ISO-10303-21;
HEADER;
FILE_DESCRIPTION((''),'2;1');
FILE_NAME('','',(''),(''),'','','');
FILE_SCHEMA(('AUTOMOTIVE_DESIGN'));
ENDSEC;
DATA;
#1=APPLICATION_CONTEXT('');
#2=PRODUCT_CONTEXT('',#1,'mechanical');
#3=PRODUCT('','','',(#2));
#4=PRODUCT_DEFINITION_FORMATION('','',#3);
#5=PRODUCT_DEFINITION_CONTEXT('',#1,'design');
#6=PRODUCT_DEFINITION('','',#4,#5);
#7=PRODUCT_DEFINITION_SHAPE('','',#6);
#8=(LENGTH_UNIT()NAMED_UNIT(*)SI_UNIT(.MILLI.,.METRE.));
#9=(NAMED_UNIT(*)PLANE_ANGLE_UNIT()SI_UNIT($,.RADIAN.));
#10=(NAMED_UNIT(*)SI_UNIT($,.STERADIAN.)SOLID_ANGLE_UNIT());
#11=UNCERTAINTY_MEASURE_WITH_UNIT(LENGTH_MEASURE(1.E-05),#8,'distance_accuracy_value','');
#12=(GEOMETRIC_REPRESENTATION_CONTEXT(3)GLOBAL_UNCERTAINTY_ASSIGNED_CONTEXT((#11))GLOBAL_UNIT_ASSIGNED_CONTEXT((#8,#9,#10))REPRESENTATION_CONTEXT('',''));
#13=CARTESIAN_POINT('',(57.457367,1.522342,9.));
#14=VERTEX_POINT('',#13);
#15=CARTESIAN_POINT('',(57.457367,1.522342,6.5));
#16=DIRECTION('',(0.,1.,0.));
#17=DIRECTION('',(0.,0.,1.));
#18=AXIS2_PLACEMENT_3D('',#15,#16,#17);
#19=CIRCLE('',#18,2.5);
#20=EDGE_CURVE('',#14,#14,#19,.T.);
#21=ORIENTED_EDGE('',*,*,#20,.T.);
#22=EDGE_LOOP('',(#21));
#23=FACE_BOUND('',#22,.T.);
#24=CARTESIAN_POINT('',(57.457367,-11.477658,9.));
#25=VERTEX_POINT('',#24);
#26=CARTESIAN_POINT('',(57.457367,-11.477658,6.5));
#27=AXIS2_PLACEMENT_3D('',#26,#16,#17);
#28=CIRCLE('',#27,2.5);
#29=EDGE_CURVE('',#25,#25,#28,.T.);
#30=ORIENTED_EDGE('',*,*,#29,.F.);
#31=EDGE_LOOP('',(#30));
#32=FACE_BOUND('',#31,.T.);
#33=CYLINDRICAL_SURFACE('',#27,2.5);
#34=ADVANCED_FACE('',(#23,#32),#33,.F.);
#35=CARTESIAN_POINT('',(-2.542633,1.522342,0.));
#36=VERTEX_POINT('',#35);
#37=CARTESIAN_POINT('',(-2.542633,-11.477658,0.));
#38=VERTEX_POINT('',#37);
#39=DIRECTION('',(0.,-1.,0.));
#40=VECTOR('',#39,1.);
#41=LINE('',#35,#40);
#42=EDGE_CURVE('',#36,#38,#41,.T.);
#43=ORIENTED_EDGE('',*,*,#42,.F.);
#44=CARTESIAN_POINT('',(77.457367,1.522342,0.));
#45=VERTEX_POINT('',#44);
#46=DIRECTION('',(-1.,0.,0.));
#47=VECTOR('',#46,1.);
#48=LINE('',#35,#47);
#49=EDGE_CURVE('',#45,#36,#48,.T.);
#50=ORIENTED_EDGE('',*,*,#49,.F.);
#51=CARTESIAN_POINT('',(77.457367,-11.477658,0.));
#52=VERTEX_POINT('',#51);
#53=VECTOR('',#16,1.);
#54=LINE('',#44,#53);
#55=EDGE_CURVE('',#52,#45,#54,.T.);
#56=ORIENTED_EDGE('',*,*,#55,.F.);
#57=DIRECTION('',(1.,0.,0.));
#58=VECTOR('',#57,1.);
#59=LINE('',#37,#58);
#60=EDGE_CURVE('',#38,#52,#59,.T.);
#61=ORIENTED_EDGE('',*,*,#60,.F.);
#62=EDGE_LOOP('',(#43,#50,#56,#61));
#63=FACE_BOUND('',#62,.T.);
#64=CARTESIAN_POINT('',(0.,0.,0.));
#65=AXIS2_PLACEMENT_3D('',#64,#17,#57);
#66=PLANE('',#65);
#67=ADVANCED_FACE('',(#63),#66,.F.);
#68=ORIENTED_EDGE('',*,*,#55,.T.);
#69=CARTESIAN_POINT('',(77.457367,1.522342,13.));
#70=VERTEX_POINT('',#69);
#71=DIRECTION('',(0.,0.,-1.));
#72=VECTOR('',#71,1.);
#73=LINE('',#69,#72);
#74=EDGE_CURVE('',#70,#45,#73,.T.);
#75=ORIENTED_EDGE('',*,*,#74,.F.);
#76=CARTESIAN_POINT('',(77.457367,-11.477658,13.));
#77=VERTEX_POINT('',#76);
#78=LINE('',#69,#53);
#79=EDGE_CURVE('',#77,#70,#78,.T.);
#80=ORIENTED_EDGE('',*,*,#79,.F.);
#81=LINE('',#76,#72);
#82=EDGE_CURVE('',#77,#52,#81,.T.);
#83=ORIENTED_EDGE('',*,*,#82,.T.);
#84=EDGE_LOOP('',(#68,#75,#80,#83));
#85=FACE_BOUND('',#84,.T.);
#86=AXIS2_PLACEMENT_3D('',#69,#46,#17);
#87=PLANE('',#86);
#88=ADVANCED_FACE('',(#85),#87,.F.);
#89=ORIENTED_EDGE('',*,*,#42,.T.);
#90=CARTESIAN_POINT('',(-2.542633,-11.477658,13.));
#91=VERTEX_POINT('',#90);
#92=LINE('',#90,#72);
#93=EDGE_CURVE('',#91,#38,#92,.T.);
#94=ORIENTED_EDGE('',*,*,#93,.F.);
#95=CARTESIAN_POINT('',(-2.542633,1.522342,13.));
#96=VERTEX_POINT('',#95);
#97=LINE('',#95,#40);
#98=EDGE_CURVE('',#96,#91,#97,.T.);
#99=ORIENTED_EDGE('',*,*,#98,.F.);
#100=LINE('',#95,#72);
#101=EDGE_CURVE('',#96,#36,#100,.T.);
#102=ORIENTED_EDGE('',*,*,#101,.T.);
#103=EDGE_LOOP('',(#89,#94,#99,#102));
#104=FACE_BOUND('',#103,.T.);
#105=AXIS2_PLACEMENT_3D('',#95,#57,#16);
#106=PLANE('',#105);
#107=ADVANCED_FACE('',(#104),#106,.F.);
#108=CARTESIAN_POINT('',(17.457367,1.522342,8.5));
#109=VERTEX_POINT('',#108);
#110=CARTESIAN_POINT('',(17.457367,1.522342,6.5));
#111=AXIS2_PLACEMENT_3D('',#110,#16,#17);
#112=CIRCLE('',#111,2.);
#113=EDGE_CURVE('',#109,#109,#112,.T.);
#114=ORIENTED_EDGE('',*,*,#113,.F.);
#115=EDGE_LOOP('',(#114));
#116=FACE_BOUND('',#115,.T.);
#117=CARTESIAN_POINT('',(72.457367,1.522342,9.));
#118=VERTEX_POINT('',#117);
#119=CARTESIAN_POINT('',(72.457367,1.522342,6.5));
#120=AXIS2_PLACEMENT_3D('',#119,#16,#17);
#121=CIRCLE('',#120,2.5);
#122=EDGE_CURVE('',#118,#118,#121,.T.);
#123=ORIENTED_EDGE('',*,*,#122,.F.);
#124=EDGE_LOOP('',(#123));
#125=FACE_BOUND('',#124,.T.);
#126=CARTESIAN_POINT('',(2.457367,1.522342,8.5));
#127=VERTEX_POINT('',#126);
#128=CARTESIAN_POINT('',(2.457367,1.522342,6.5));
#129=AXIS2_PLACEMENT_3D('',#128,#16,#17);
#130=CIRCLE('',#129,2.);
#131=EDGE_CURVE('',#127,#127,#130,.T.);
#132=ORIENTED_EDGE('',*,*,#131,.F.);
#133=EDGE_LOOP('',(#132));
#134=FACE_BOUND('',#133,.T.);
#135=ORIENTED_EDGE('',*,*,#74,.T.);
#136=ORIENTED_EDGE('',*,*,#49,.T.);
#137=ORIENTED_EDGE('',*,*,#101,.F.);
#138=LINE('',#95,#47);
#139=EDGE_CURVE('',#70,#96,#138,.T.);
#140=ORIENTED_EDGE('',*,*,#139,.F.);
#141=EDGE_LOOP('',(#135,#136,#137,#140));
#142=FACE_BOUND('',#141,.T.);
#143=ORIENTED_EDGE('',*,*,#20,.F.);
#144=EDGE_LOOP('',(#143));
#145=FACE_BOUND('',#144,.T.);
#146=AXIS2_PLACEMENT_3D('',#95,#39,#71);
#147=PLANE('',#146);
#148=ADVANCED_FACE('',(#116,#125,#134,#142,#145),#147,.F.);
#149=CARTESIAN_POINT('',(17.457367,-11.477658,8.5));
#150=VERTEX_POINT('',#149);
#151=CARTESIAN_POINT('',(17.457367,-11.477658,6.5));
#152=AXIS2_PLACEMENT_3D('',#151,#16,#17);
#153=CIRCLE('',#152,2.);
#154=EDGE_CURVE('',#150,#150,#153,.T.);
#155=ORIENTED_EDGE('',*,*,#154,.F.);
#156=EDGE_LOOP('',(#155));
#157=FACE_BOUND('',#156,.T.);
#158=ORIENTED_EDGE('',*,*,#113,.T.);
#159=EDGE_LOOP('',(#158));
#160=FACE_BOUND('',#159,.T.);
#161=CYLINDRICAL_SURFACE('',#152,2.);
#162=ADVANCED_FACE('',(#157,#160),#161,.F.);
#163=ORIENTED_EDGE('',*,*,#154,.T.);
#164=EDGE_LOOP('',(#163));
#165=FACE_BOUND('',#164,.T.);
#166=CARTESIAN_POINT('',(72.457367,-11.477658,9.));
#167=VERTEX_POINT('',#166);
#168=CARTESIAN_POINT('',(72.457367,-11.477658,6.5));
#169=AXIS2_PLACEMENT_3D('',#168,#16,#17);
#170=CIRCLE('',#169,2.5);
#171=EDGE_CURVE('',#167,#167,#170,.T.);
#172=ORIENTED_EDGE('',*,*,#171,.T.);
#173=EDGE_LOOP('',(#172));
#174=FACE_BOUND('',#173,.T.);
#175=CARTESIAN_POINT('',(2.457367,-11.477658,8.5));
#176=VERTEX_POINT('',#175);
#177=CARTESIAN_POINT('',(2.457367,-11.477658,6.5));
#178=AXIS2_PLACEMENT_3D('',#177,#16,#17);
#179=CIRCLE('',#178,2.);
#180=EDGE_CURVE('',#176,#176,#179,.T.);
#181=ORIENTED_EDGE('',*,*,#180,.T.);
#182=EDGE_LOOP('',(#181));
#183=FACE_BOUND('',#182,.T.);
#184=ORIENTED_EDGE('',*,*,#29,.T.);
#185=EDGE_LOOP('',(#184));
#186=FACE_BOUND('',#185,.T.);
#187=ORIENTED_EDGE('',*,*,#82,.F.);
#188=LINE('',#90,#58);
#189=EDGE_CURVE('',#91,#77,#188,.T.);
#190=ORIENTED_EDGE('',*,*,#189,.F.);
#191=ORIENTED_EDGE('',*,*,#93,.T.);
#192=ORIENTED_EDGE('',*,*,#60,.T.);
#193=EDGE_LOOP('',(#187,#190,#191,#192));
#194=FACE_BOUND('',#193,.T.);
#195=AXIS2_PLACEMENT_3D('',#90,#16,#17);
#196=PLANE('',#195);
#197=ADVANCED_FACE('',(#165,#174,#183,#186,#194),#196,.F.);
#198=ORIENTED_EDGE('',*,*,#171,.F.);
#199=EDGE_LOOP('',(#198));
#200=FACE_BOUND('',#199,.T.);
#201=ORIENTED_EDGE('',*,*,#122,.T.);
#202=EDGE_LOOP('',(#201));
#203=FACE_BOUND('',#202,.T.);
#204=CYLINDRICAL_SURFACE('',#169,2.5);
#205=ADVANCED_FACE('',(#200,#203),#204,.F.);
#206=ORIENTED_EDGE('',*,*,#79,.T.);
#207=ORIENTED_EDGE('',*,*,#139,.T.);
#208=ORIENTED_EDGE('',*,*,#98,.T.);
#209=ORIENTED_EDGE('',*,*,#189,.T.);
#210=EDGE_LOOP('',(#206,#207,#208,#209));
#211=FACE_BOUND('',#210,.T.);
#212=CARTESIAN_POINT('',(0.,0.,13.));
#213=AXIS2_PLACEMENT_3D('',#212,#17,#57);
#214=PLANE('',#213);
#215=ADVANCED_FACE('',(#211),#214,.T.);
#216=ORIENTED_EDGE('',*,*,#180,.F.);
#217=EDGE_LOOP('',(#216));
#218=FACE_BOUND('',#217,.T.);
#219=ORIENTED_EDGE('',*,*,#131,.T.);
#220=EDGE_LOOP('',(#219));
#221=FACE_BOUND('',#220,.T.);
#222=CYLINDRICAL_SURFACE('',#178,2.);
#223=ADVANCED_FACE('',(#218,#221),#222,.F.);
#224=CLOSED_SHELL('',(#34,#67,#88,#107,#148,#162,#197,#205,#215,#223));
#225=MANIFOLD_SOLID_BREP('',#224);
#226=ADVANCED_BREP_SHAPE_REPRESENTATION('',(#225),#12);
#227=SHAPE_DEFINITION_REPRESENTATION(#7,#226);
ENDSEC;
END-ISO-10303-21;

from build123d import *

# Parameters (mm, degrees)
ESQUISSE1_W             = 80
ESQUISSE1_H             = 13
BOSS_EXTRU_1_DEPTH      = 13
ESQUISSE2_R             = 2
ESQUISSE2_R_2           = 2.5
ENL_V_MAT_EXTRU_1_DEPTH = 14


with BuildPart() as part:
    # Esquisse1 → Boss.-Extru.1 (new body)
    with BuildSketch(Plane.XY):
        with Locations((37.457366649, -4.977657935)):
            Rectangle(ESQUISSE1_W, ESQUISSE1_H)
    extrude(amount=BOSS_EXTRU_1_DEPTH)

    # Esquisse2 → Enlèv. mat.-Extru.1 (cut, through all)
    with BuildSketch(Plane(origin=(0, 1.522342065, 0), x_dir=(1, 0, 0), z_dir=(0, 1, 0))):
        with Locations((17.457366649, -6.5)):
            Circle(ESQUISSE2_R)
        with Locations((72.457366649, -6.5)):
            Circle(ESQUISSE2_R_2)
        with Locations((57.457366649, -6.5)):
            Circle(ESQUISSE2_R_2)
        with Locations((2.457366649, -6.5)):
            Circle(ESQUISSE2_R)
    extrude(amount=-ENL_V_MAT_EXTRU_1_DEPTH, mode=Mode.SUBTRACT)


solid = part.part
